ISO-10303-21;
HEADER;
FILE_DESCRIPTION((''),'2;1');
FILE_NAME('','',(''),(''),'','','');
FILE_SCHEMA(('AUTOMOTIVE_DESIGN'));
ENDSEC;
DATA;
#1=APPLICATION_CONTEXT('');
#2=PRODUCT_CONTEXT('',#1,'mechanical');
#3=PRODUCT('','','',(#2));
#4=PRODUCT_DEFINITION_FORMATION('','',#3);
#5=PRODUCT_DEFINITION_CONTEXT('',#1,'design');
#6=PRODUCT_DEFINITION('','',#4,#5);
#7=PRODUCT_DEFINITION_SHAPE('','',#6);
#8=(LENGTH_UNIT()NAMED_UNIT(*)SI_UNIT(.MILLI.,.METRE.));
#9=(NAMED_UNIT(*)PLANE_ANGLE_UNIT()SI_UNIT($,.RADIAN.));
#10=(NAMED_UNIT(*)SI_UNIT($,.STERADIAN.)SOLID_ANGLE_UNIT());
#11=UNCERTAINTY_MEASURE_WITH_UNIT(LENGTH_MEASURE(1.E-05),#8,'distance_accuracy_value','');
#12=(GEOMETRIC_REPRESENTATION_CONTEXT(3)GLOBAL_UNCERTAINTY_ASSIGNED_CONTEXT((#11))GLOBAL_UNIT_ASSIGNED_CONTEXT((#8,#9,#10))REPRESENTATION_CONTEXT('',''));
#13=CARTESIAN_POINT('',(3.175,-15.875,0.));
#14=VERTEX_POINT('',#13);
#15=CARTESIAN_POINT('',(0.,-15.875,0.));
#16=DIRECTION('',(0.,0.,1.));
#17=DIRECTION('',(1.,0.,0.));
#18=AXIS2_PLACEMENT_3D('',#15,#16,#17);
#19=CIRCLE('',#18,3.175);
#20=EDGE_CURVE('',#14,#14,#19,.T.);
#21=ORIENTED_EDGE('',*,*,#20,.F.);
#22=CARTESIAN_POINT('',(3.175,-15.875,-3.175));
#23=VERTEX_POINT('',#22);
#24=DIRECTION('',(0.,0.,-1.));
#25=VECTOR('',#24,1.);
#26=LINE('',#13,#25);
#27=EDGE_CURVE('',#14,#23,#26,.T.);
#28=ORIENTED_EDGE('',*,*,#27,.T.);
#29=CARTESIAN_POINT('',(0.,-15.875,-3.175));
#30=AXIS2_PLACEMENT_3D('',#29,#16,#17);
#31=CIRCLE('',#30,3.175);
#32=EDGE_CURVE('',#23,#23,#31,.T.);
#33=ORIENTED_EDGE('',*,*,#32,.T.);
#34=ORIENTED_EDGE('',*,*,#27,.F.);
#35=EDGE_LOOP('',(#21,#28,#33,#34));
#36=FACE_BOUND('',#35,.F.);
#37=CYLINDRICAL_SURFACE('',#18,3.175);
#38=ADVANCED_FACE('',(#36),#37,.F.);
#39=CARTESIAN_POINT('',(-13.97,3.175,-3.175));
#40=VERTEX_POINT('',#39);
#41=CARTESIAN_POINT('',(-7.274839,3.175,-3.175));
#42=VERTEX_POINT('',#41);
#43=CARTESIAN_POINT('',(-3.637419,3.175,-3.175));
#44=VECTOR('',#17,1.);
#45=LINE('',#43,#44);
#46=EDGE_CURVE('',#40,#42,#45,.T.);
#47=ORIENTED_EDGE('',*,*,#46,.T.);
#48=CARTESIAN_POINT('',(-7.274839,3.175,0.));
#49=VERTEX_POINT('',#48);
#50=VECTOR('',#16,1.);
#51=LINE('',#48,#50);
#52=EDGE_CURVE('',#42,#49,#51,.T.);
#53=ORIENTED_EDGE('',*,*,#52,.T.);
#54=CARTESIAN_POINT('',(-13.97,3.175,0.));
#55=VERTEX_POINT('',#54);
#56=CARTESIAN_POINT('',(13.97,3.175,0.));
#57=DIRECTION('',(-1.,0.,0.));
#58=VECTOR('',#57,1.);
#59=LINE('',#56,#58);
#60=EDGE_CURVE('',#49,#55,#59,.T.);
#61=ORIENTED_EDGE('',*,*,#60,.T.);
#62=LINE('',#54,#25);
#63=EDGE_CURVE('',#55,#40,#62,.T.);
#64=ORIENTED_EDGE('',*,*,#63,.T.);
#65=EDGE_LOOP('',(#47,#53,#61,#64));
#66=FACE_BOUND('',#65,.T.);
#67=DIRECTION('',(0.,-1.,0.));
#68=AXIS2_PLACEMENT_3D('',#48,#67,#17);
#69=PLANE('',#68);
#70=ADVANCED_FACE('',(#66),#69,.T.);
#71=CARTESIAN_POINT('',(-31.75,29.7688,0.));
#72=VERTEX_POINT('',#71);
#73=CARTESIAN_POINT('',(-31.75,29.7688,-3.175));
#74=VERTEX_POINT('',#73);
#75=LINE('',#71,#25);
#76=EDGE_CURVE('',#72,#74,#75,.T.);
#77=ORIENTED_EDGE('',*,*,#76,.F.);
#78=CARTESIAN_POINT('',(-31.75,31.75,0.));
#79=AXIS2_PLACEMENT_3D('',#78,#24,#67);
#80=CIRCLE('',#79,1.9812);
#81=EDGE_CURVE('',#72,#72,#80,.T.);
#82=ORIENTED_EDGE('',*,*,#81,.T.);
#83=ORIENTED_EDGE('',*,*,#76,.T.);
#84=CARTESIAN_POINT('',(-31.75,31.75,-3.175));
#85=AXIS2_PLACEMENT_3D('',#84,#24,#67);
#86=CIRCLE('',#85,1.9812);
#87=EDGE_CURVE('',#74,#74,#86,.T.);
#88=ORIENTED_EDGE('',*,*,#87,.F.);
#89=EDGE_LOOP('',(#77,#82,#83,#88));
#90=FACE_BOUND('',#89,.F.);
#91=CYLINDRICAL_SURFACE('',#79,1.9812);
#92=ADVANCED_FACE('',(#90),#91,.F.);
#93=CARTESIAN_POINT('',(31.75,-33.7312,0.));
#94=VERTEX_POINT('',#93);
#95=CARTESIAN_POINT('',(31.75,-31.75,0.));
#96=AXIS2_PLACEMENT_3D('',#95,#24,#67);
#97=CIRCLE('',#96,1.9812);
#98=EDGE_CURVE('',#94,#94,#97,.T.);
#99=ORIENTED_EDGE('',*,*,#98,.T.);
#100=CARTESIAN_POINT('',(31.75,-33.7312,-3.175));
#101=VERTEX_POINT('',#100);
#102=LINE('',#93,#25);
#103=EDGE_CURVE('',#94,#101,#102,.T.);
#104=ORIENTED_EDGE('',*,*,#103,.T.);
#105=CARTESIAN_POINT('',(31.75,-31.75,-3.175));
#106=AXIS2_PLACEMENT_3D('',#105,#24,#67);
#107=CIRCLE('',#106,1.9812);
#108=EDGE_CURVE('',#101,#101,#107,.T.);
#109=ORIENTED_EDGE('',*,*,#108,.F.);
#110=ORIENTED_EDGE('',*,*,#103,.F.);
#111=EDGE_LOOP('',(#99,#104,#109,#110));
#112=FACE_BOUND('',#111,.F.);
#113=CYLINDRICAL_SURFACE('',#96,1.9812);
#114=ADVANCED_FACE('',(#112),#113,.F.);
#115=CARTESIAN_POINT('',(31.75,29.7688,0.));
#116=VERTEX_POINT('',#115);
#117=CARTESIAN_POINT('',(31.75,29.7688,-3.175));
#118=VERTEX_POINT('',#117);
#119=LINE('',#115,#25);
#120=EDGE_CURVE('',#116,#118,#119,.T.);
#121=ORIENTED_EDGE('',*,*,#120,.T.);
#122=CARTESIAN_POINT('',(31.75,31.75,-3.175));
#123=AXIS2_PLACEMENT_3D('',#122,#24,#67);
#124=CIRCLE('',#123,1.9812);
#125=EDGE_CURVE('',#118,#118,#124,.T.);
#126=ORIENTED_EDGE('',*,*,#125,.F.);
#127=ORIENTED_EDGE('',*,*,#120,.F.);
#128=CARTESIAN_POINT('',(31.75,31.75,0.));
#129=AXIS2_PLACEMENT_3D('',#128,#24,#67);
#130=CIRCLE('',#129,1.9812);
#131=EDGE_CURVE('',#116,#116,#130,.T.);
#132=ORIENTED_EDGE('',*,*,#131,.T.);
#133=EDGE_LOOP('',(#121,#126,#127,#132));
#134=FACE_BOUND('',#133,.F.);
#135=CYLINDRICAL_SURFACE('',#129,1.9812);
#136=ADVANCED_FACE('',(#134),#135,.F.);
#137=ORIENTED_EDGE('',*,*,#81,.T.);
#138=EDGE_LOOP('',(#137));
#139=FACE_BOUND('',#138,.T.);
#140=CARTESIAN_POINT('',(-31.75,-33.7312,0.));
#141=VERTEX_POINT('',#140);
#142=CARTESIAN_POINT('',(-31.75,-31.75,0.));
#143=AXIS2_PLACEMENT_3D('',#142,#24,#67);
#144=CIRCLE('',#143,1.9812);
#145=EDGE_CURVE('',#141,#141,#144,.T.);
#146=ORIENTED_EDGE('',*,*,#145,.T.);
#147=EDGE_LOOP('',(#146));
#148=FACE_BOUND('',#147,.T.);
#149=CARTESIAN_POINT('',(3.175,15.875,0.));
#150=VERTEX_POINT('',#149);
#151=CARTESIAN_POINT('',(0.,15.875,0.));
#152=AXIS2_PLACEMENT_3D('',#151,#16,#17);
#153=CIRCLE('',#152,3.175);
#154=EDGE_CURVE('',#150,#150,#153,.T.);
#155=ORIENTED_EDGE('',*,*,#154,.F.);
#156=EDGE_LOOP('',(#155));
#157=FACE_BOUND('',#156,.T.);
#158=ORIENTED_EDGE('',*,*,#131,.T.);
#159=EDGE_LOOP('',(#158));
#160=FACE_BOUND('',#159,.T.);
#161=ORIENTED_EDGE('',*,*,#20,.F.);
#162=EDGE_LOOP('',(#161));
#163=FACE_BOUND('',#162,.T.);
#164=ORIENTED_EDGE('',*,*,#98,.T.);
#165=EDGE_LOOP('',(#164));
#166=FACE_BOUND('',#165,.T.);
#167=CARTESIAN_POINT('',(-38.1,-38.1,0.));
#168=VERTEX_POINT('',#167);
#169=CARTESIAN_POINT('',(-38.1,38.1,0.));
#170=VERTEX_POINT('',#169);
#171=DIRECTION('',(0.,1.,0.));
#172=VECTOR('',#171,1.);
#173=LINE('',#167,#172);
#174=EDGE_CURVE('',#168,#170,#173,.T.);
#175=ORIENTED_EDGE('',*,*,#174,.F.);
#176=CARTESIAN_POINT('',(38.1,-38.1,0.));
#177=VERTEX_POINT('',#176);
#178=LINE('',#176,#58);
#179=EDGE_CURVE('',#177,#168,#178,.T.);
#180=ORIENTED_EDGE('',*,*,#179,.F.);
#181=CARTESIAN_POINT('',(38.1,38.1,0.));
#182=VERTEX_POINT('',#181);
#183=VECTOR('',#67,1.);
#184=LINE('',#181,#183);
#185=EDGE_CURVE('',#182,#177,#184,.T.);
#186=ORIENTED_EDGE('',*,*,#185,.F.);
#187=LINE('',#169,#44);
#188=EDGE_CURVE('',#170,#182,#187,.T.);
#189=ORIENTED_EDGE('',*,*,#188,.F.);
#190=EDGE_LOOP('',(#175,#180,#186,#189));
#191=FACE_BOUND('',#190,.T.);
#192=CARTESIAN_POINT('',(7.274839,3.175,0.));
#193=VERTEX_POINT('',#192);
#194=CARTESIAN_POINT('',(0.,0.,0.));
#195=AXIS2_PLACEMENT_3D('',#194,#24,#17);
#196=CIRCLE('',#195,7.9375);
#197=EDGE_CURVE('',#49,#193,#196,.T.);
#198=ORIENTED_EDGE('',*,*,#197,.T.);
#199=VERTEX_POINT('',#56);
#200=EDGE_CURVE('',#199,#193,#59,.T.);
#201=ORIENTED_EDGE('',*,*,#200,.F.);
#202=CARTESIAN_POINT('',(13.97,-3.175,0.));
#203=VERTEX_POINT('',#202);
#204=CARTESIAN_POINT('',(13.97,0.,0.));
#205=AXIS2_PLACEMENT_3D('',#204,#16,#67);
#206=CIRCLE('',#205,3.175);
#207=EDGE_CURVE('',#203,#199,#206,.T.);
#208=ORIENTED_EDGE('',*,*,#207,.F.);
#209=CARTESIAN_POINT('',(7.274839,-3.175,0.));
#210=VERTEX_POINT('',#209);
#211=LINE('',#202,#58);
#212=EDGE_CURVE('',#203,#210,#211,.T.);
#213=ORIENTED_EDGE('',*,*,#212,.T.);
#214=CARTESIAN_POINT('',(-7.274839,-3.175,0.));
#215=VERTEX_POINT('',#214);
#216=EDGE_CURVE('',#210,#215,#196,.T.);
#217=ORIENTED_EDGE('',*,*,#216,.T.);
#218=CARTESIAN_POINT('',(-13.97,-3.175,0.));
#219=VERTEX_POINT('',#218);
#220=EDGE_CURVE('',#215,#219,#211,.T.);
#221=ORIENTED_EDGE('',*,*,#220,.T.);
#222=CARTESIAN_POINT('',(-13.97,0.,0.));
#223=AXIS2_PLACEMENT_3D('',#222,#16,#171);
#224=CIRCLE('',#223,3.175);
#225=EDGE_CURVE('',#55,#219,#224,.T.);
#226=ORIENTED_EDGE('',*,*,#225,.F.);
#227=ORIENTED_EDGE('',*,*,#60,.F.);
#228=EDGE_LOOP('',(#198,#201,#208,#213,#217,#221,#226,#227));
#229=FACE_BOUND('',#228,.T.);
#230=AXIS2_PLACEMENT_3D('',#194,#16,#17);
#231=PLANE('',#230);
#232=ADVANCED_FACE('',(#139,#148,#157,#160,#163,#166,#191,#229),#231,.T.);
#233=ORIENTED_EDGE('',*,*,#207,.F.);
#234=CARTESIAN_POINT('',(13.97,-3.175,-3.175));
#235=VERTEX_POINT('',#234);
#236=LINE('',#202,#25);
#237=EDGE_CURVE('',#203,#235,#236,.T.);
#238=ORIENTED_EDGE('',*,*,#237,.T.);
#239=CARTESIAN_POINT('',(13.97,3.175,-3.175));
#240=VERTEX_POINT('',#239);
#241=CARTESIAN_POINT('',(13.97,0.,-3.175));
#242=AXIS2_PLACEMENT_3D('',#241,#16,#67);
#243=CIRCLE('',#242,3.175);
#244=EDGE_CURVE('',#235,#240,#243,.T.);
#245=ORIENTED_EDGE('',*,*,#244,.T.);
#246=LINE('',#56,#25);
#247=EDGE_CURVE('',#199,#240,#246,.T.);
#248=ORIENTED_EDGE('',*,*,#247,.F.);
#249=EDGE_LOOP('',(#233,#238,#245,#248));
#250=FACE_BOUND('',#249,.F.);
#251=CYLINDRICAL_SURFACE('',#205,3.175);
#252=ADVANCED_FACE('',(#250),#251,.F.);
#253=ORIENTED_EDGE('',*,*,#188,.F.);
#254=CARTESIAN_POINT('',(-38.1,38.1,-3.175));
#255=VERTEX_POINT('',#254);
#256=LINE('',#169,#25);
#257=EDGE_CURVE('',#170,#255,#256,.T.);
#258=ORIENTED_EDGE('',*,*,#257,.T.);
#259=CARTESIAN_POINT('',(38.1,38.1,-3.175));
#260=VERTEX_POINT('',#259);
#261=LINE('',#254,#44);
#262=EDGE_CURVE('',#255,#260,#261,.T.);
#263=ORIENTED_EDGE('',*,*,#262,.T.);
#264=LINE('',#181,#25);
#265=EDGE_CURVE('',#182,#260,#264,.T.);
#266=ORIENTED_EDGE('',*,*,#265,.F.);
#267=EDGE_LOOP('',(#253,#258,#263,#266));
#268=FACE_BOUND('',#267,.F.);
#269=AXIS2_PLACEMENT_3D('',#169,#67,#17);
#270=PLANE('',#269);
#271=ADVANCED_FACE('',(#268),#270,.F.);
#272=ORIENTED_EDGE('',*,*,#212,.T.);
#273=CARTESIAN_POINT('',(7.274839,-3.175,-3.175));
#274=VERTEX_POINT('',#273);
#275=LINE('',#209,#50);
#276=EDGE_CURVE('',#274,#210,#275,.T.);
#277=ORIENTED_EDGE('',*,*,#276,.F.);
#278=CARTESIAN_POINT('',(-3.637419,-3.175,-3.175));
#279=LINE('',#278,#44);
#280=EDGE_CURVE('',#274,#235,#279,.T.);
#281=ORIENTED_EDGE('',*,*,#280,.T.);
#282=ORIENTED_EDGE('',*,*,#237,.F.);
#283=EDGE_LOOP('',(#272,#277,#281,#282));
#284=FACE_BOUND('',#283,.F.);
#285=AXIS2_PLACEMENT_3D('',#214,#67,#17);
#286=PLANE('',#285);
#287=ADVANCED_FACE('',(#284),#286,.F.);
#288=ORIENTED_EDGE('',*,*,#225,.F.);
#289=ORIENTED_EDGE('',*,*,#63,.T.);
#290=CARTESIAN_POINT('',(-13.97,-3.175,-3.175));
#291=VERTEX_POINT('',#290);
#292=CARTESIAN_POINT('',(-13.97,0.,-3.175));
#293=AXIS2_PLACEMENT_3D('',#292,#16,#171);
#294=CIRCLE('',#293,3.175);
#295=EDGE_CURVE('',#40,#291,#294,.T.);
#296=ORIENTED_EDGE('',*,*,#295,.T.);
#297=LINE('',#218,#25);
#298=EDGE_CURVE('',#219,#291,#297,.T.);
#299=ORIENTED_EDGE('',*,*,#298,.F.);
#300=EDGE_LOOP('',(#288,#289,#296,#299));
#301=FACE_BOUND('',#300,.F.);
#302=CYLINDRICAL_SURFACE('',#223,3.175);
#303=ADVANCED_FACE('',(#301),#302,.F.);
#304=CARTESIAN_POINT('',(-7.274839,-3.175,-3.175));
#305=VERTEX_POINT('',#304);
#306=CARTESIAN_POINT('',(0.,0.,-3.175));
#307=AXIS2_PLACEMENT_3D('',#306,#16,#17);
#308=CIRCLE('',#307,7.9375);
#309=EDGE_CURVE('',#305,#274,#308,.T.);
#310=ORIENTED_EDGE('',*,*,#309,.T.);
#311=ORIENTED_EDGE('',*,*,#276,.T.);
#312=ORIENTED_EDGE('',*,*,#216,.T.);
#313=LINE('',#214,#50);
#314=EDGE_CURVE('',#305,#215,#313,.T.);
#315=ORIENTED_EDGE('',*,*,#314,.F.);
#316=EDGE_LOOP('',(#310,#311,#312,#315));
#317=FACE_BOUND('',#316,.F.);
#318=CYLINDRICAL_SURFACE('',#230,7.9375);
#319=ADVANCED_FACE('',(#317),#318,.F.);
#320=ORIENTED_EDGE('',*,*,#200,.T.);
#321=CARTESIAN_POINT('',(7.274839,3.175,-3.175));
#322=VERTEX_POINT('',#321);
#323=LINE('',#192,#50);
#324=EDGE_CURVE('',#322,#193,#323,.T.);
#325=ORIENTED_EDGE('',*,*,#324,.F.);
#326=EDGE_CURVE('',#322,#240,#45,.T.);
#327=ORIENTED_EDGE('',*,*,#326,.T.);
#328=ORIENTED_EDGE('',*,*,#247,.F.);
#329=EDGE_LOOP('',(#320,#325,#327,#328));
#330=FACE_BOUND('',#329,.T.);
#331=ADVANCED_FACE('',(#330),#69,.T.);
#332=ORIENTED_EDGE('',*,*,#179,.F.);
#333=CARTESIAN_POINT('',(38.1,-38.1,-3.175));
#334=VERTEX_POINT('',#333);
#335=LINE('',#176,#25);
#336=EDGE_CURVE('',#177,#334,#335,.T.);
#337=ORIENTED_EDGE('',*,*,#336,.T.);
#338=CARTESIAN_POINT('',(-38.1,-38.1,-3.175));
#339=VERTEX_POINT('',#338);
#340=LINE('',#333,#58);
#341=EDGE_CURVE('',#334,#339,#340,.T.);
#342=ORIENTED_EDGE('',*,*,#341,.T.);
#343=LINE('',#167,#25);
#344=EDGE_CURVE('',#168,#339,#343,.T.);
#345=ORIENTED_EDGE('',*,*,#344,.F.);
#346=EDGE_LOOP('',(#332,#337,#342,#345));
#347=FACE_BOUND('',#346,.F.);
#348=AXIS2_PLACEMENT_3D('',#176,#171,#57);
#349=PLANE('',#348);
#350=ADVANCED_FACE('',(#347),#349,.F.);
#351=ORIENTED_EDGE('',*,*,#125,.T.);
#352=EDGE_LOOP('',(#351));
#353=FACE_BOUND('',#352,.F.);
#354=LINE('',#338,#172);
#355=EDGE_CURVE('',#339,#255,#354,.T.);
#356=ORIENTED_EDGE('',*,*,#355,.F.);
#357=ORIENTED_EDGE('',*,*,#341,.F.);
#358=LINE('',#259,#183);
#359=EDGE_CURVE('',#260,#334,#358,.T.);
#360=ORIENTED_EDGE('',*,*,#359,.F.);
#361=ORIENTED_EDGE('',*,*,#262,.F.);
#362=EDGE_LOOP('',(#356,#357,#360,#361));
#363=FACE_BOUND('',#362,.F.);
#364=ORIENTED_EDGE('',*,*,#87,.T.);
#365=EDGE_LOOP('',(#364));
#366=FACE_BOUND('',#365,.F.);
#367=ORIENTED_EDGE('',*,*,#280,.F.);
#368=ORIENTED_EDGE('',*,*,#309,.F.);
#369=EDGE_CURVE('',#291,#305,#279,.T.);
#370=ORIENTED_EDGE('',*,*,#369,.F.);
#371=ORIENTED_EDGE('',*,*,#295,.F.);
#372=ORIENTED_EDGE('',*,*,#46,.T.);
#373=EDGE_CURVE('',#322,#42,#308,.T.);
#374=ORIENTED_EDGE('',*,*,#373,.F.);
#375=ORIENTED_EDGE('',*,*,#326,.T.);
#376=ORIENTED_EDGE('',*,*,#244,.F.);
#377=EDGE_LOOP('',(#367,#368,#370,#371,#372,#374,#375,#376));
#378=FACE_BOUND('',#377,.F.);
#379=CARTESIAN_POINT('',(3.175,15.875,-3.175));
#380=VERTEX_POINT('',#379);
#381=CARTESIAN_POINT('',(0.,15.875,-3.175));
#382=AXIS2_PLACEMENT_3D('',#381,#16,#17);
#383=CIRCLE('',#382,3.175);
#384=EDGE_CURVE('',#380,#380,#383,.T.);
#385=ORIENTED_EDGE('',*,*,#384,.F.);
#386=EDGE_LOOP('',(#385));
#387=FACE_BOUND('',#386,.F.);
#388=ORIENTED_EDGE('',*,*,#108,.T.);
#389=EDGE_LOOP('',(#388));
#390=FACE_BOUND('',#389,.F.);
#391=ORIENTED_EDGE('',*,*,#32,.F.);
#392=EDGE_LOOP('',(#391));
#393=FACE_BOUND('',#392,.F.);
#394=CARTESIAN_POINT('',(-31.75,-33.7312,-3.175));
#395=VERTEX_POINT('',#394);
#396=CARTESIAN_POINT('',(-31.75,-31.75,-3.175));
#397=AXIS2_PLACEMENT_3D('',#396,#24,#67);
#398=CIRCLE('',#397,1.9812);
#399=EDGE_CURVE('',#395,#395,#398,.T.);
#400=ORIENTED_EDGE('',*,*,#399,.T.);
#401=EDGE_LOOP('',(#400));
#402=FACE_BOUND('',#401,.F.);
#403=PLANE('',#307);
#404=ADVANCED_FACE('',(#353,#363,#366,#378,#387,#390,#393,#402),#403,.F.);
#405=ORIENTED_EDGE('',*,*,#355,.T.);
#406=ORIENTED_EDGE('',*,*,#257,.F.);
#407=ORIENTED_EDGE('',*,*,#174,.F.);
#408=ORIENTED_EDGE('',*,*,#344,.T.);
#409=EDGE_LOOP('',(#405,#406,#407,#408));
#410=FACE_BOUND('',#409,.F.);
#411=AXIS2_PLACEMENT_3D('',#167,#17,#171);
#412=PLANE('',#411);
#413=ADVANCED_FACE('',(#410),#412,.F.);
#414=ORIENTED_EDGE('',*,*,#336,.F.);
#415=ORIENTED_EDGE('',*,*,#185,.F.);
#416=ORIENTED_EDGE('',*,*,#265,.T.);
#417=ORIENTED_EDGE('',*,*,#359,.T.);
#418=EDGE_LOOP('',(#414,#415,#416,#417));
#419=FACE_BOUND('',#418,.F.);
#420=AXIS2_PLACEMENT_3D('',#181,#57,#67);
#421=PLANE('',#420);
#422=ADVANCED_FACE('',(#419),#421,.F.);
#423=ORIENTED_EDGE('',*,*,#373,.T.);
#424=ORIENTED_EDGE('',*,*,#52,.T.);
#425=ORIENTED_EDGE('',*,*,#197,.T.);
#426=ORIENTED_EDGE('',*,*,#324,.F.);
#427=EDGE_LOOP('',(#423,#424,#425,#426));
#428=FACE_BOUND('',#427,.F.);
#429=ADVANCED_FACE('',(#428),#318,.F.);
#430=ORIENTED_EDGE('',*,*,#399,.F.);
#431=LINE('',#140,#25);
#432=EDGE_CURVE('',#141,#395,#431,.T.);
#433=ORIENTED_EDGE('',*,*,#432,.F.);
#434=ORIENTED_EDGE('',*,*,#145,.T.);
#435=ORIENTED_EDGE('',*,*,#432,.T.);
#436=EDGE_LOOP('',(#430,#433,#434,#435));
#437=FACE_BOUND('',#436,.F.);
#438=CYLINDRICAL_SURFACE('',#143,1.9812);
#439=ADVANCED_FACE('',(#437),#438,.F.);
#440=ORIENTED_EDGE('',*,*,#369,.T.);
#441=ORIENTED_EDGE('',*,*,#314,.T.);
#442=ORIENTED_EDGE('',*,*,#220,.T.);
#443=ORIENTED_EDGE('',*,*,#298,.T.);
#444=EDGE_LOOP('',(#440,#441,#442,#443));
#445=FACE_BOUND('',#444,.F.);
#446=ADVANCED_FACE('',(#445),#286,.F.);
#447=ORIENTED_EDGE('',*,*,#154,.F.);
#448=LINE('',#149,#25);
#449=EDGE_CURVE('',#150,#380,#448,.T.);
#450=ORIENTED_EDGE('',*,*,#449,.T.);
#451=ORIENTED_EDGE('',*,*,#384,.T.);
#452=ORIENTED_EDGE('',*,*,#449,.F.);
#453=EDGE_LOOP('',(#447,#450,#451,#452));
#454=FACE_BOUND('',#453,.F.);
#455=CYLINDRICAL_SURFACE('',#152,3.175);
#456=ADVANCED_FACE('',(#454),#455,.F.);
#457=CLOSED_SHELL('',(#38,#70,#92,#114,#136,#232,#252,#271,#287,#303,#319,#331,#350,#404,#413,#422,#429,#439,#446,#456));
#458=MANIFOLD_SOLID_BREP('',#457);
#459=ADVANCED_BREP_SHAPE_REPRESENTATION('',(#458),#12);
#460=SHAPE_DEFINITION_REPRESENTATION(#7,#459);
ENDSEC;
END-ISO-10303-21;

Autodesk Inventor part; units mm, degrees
ref_plane "YZ Plane" through (0, 0, 0) normal (1, 0, 0) x (0, 1, 0)
ref_plane "XZ Plane" through (0, 0, 0) normal (0, 1, 0) x (-1, 0, 0)
ref_plane "XY Plane" through (0, 0, 0) normal (0, 0, 1) x (1, 0, 0)
sketch "Sketch1" plane through (0, 0, 0) normal (0, 0, 1) x (1, 0, 0)
  line L0 (-38.1, 38.1) -> (38.1, 38.1)
  line L1 (38.1, 38.1) -> (38.1, -38.1)
  line L2 (38.1, -38.1) -> (-38.1, -38.1)
  line L3 (-38.1, -38.1) -> (-38.1, 38.1)
  circle A0 centre (0, 0) radius 7.9375
  line L4 (38.1, 38.1) -> (50.8, 38.1)
  line L5 (50.8, 38.1) -> (50.8, -38.1)
  line L6 (50.8, -38.1) -> (38.1, -38.1)
  line L7 (38.1, -38.1) -> (38.1, 38.1)
  line L8 (-38.1, 38.1) -> (-50.8, 38.1)
  line L9 (-50.8, 38.1) -> (-50.8, -38.1)
  line L10 (-50.8, -38.1) -> (-38.1, -38.1)
  line L11 (-38.1, -38.1) -> (-38.1, 38.1)
  arc A1 (-13.97, 3.175) -> (-13.97, -3.175) centre (-13.97, 0) ccw
  arc A2 (13.97, -3.175) -> (17.145, 0) centre (13.97, 0) ccw
  line L12 (-13.97, 3.175) -> (13.97, 3.175)
  arc A3 (17.145, 0) -> (13.97, 3.175) centre (13.97, 0) ccw
  line L13 (-13.97, -3.175) -> (13.97, -3.175)
  circle A4 centre (0, 15.875) radius 3.175
  circle A5 centre (0, -15.875) radius 3.175
  point P0 (-31.75, 31.75)
  point P1 (31.75, 31.75)
  point P2 (31.75, -31.75)
  point P3 (-31.75, -31.75)
  dimension "d0" = 76.2
  dimension "d1" = 76.2
  dimension "d2" = 38.1
  dimension "d3" = 38.1
  dimension "d4" = 15.875
  dimension "d5" = 6.35
  dimension "d6" = 6.35
  dimension "d7" = 6.35
  dimension "d8" = 6.35
  dimension "d36" = 12.7
  dimension "d37" = 12.7
  dimension "d42" = 6.35
  dimension "d43" = 27.94
  dimension "d44" = 3.175
  dimension "d45" = 13.97
  dimension "d46" = 6.35
  dimension "d47" = 6.35
  dimension "d48" = 15.875
  dimension "d49" = 31.75
extrude "Extrusion1" add sketch "Sketch1" against normal blind 3.175 contours L0 L1 L2 L3 | A0 L12 A3 A2 L13 | A0 L13 A1 L12 | A4 | A5
hole "Hole1" at (-31.75, 31.75, 0) at (31.75, 31.75, 0) at (31.75, -31.75, 0) at (-31.75, -31.75, 0) direction (0, 0, -1) diameter 3.9624 end through all thread size "10-32 UNF" class "2B" standard "ANSI Unified Screw Threads"
extrude "Extrusion3" cut sketch "Sketch1" against normal through all contours A0 L13 L12 | A0 L12 A3 A2 L13 | A0 L13 A1 L12 | A4 | A5
thread "Thread1" size "1/4-20 UNC" class "2B" standard "ANSI Unified Screw Threads" full length
thread "Thread2" size "1/4-20 UNC" class "2B" standard "ANSI Unified Screw Threads" full length
equation "\"d2\" = 0.5 * d1"
equation "\"d3\" = 0.5 * d0"
equation "\"d7\" = d6"
equation "\"d8\" = d5"
equation "\"d45\" = 0.5 * d43"
equation "\"d48\" = 0.5 * d49"
properties part number "Slide Plate BD Motor mount"
